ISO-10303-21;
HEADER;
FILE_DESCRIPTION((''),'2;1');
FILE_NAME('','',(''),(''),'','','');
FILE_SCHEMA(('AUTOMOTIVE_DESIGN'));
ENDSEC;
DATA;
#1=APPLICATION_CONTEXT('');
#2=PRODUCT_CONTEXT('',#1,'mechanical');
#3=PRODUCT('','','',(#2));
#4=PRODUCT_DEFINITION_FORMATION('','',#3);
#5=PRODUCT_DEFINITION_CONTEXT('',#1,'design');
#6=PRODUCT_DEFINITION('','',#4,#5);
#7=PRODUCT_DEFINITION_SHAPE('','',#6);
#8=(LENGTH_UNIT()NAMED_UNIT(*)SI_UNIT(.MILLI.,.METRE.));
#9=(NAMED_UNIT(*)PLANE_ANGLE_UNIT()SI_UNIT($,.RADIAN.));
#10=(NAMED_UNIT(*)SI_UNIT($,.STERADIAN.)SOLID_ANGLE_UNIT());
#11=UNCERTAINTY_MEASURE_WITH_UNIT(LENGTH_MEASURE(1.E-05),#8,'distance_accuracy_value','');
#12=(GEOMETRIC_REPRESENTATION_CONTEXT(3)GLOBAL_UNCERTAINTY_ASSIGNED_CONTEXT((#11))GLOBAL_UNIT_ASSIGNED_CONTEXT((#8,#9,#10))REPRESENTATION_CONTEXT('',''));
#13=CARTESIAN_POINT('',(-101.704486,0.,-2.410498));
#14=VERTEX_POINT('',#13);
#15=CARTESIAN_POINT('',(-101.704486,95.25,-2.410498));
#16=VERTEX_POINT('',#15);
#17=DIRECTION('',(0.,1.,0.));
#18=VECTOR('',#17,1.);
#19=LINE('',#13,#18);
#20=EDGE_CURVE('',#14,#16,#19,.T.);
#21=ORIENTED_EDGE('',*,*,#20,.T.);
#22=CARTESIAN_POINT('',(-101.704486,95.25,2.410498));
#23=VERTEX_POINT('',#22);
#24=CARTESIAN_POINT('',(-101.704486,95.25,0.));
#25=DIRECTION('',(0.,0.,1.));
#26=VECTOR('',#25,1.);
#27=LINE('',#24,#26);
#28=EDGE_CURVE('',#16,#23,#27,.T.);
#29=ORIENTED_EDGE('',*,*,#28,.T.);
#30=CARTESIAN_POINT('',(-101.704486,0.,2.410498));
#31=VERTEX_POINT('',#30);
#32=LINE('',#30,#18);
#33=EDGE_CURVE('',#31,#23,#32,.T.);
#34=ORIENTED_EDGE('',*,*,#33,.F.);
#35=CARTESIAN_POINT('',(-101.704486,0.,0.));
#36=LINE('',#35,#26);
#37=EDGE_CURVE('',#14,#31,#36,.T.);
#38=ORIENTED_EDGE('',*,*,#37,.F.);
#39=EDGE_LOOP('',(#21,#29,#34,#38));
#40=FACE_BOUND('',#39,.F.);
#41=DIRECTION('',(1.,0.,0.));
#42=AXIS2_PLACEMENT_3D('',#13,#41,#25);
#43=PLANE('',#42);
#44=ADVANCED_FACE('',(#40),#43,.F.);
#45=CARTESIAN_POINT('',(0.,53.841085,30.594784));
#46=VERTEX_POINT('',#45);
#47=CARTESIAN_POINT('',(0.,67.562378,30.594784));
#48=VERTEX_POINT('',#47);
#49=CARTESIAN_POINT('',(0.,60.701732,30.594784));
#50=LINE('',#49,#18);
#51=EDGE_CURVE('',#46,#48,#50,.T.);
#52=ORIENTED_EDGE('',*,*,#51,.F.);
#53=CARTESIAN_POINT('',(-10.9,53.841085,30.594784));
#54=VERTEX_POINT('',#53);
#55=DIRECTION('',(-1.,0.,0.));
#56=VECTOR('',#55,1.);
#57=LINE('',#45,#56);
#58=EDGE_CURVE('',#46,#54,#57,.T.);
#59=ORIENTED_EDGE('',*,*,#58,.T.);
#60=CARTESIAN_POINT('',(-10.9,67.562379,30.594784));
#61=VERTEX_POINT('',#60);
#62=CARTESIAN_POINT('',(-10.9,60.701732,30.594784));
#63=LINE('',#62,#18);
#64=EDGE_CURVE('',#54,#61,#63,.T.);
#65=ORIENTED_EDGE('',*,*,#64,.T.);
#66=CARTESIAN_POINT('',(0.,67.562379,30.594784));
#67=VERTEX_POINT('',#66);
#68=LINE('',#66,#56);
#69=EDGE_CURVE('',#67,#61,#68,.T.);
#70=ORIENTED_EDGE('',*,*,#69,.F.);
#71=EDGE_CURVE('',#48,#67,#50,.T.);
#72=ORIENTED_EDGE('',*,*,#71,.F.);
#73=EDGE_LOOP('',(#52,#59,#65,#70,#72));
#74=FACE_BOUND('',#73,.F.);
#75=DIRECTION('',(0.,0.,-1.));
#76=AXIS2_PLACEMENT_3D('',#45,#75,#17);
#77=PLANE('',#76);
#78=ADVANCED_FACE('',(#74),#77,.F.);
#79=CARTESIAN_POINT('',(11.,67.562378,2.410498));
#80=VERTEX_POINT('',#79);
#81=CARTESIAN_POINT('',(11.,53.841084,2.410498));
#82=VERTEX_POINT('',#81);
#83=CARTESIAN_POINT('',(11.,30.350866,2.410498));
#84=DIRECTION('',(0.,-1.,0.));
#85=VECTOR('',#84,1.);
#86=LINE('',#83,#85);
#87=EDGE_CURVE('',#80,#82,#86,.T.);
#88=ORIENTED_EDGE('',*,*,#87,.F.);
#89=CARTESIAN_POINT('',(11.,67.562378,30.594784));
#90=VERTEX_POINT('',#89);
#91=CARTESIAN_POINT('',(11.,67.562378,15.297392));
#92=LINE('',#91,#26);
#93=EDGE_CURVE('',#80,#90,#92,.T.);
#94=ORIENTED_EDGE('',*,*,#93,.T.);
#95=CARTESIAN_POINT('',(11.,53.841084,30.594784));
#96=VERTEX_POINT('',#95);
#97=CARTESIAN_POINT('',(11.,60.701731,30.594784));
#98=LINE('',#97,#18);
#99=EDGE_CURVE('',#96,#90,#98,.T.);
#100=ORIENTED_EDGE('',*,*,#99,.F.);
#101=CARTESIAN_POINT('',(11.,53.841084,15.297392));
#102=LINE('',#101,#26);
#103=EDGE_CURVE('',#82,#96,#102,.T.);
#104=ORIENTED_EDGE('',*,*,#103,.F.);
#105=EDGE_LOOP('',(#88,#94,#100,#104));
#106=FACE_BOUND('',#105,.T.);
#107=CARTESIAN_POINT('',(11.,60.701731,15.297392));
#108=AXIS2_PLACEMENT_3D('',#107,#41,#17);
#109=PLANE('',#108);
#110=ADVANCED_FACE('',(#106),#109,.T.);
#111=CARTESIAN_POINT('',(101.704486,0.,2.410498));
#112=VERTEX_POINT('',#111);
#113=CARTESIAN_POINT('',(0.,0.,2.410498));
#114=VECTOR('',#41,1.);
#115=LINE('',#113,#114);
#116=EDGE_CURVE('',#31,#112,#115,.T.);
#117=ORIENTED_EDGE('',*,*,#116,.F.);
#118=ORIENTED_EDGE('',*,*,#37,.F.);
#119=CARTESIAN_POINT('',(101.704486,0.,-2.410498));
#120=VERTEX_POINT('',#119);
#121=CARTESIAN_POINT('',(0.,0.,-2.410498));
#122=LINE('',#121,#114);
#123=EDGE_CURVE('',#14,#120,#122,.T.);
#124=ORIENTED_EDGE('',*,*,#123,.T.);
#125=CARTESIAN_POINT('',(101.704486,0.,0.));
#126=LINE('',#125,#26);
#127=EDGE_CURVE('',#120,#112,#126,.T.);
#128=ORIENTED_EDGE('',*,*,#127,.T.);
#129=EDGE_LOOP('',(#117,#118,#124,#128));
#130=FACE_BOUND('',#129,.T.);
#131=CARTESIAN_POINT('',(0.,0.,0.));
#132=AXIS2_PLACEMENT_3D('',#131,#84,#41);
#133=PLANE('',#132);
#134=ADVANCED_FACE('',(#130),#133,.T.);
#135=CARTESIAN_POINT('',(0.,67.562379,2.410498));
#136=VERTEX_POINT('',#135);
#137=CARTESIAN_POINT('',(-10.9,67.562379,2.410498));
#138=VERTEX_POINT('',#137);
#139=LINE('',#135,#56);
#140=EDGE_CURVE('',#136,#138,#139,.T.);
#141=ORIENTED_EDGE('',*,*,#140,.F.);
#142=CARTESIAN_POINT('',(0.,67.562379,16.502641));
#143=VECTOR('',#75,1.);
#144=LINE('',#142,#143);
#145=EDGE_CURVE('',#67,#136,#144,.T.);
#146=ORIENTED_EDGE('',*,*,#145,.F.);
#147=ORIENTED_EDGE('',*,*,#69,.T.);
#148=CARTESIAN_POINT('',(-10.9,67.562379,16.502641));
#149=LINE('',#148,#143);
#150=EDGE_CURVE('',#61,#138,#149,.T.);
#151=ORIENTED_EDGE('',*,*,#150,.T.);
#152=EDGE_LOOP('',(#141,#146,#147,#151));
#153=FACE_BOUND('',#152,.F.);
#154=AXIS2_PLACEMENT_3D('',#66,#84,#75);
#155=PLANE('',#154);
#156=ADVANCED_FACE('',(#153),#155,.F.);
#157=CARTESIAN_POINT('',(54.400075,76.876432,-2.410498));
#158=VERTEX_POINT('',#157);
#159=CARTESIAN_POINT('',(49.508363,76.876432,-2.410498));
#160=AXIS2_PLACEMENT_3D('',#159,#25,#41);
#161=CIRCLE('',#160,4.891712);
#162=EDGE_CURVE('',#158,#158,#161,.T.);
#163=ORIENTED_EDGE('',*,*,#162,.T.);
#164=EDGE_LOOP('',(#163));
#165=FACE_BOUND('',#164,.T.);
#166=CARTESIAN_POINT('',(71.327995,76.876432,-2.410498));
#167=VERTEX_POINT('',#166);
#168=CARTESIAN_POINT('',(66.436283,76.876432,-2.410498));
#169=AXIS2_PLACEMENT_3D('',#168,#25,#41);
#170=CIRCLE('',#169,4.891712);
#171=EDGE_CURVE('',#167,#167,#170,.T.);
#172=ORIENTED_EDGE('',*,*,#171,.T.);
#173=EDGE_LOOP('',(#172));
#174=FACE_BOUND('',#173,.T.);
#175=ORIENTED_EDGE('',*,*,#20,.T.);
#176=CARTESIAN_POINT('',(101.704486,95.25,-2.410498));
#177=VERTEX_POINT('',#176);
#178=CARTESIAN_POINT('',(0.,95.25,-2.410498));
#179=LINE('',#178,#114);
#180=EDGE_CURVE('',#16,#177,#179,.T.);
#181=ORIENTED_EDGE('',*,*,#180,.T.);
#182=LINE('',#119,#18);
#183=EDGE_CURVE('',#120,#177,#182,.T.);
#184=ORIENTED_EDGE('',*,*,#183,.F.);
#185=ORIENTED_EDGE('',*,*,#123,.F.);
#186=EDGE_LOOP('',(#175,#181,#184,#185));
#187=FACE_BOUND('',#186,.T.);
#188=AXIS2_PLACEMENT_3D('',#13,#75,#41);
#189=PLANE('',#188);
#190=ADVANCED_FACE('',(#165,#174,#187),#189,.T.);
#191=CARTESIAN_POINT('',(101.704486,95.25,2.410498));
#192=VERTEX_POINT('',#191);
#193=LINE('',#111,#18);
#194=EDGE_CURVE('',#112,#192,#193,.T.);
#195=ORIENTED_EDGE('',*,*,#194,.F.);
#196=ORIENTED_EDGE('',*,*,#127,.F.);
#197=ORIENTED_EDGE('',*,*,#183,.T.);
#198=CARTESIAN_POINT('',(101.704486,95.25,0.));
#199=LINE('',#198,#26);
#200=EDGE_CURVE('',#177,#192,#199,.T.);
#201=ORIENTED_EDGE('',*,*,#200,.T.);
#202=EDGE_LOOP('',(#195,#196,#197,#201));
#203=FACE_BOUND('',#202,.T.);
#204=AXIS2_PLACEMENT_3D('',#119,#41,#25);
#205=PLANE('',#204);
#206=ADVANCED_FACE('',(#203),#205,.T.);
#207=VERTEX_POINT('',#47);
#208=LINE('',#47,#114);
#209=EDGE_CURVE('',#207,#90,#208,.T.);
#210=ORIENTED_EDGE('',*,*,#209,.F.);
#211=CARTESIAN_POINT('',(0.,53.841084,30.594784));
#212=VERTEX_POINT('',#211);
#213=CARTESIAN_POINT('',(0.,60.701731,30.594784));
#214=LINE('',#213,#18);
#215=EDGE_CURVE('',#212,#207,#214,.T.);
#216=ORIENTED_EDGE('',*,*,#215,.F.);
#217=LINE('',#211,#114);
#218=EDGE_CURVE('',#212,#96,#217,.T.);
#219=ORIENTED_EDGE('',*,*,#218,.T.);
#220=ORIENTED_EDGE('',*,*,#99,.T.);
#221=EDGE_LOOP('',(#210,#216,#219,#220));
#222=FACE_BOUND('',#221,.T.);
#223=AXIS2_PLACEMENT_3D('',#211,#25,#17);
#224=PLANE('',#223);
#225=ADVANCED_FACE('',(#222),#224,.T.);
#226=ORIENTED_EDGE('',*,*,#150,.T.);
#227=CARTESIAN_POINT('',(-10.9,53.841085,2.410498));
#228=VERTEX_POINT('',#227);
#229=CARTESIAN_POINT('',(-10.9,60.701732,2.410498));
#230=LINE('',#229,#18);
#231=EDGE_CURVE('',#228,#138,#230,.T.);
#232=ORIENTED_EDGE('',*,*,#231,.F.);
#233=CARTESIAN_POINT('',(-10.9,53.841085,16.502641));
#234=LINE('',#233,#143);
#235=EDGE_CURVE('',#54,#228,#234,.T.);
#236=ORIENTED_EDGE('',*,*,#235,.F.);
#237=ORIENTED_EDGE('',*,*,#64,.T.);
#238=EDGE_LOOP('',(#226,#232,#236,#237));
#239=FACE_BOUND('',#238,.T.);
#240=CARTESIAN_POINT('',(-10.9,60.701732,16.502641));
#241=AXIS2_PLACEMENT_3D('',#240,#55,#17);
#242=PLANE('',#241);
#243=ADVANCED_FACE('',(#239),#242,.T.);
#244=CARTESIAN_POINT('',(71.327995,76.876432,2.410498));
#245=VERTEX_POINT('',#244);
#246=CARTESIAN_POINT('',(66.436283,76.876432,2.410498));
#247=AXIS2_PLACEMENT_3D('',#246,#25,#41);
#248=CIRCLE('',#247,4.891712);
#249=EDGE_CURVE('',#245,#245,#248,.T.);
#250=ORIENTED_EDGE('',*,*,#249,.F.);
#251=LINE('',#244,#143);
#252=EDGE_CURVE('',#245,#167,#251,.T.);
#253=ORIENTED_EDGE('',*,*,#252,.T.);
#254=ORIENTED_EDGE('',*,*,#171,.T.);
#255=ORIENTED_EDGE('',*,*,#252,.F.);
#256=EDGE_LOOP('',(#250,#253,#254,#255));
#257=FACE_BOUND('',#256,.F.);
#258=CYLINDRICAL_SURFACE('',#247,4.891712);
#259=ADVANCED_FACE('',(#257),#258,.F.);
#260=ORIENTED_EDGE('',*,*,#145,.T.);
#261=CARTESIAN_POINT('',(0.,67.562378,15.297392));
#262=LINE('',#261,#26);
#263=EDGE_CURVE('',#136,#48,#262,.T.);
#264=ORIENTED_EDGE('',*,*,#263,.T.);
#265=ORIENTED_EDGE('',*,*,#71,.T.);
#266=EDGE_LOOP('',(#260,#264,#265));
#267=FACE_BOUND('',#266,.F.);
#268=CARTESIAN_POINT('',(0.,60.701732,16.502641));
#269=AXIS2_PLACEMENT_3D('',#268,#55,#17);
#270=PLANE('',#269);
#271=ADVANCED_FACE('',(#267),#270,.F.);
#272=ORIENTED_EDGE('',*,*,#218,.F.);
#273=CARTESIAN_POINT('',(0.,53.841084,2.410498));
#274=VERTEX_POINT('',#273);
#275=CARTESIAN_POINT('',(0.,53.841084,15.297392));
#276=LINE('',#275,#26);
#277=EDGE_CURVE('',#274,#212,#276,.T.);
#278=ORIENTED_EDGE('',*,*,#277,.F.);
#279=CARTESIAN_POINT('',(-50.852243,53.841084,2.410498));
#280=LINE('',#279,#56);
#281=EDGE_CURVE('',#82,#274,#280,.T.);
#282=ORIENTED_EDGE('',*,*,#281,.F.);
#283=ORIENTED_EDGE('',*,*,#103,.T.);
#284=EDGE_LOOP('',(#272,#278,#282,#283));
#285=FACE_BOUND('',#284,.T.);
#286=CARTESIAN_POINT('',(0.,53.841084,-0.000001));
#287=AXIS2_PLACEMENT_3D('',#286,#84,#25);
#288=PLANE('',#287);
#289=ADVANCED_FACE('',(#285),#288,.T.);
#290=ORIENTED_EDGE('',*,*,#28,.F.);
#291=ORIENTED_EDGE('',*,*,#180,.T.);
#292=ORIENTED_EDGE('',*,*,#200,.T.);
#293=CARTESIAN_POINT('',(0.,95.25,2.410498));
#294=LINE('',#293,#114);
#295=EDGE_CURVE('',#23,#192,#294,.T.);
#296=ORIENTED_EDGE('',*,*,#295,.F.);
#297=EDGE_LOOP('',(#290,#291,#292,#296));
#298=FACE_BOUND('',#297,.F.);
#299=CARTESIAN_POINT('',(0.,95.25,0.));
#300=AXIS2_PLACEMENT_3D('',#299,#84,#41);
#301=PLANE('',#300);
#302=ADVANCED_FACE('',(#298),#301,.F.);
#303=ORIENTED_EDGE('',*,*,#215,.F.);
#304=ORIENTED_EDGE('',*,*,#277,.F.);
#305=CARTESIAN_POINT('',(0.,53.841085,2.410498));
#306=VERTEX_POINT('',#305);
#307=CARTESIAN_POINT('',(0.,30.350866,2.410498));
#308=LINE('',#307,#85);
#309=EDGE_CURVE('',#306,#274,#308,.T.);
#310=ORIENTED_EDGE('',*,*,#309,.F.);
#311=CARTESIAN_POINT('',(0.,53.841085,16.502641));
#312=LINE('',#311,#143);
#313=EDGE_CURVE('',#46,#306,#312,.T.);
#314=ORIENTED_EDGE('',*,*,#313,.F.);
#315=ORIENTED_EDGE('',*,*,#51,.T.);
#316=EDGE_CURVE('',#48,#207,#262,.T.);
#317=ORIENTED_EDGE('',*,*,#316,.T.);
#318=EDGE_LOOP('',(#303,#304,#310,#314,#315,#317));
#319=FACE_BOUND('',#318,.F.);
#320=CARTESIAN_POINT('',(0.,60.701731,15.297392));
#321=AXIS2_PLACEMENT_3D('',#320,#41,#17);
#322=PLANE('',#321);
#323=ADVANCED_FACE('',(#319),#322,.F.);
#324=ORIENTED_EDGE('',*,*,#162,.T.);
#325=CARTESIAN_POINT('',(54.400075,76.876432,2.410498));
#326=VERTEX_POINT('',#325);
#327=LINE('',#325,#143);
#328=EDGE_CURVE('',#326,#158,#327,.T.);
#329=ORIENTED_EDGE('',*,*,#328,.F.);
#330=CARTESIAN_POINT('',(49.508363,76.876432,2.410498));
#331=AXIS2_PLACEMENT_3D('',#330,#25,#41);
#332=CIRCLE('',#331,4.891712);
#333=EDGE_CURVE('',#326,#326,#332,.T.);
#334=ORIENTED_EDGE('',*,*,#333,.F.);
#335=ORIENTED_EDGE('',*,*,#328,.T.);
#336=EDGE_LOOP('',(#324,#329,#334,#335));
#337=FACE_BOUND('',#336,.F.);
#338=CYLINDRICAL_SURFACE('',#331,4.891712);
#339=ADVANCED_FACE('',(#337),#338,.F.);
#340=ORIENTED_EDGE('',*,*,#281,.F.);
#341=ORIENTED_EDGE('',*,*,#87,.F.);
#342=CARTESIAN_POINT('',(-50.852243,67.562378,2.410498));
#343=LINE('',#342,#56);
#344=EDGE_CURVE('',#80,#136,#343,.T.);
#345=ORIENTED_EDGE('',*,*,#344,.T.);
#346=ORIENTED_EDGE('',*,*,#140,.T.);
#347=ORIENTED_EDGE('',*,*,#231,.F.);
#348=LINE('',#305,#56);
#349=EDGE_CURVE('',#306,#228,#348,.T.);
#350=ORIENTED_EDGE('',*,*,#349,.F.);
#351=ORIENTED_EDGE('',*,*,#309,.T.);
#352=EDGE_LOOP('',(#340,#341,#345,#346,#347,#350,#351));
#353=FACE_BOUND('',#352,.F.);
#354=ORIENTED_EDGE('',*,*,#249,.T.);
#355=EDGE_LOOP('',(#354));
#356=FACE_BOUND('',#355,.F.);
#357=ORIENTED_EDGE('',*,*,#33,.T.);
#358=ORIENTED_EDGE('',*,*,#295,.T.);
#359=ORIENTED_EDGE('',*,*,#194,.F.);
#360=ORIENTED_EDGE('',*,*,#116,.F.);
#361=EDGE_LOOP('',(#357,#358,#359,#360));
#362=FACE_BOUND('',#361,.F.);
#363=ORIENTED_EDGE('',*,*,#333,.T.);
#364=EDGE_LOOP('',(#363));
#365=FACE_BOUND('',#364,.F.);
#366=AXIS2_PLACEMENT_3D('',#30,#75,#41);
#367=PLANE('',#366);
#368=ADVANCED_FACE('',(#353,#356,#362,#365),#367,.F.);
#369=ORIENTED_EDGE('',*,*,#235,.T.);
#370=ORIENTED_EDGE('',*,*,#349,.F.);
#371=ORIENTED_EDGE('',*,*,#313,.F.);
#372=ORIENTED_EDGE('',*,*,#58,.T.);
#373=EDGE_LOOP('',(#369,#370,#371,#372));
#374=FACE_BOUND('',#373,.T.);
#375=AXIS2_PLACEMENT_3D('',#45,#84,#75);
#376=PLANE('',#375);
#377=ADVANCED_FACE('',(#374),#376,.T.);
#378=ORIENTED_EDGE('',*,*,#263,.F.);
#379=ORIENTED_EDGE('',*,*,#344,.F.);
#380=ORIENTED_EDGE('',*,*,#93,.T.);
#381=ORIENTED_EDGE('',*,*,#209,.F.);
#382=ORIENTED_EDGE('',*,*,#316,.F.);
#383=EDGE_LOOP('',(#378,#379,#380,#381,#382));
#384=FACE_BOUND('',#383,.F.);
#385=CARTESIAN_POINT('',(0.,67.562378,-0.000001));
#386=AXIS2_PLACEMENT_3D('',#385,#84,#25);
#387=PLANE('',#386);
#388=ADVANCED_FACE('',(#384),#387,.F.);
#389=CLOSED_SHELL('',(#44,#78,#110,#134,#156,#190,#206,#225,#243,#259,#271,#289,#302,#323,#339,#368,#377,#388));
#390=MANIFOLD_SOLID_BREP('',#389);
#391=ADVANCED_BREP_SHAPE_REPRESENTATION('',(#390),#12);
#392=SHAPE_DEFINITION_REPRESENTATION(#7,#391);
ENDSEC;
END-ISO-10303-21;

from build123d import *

# Parameters (mm, degrees)
F0_W      = 203.408972
F0_H      = 4.820996
F1_DEPTH  = 95.25
F2_W      = 13.721295
F2_H      = 30.594785
F3_DEPTH  = 11
F3_FACE_W = 13.721294
F3_FACE_H = 28.184286
F4_DEPTH  = 10.9
F5_R      = 4.891712
F6_DEPTH  = 4.821996


with BuildPart() as f1:
    # F0 (on Front) → F1 (new body)
    with BuildSketch(Plane.XZ):
        Rectangle(F0_W, F0_H)
    extrude(amount=-F1_DEPTH)

    # F2 (on Right) → F3 (join)
    with BuildSketch(Plane.YZ):
        with Locations((60.701731, 15.297392)):
            Rectangle(F2_W, F2_H)
    extrude(amount=F3_DEPTH)

    # F3_face (on face) → F4 (join)
    with BuildSketch(Plane(origin=(0, 60.701732, 16.502641), x_dir=(0, 1, 0), z_dir=(-1, 0, 0))):
        Rectangle(F3_FACE_W, F3_FACE_H)
    extrude(amount=F4_DEPTH)

    # F5 (on face) → F6 (cut, through all)
    with BuildSketch(Plane.XY.offset(2.410498)):
        with Locations((66.436283, 76.876432)):
            Circle(F5_R)
        with Locations((49.508363, 76.876432)):
            Circle(F5_R)
    extrude(amount=-F6_DEPTH, mode=Mode.SUBTRACT)


solid = f1.part
